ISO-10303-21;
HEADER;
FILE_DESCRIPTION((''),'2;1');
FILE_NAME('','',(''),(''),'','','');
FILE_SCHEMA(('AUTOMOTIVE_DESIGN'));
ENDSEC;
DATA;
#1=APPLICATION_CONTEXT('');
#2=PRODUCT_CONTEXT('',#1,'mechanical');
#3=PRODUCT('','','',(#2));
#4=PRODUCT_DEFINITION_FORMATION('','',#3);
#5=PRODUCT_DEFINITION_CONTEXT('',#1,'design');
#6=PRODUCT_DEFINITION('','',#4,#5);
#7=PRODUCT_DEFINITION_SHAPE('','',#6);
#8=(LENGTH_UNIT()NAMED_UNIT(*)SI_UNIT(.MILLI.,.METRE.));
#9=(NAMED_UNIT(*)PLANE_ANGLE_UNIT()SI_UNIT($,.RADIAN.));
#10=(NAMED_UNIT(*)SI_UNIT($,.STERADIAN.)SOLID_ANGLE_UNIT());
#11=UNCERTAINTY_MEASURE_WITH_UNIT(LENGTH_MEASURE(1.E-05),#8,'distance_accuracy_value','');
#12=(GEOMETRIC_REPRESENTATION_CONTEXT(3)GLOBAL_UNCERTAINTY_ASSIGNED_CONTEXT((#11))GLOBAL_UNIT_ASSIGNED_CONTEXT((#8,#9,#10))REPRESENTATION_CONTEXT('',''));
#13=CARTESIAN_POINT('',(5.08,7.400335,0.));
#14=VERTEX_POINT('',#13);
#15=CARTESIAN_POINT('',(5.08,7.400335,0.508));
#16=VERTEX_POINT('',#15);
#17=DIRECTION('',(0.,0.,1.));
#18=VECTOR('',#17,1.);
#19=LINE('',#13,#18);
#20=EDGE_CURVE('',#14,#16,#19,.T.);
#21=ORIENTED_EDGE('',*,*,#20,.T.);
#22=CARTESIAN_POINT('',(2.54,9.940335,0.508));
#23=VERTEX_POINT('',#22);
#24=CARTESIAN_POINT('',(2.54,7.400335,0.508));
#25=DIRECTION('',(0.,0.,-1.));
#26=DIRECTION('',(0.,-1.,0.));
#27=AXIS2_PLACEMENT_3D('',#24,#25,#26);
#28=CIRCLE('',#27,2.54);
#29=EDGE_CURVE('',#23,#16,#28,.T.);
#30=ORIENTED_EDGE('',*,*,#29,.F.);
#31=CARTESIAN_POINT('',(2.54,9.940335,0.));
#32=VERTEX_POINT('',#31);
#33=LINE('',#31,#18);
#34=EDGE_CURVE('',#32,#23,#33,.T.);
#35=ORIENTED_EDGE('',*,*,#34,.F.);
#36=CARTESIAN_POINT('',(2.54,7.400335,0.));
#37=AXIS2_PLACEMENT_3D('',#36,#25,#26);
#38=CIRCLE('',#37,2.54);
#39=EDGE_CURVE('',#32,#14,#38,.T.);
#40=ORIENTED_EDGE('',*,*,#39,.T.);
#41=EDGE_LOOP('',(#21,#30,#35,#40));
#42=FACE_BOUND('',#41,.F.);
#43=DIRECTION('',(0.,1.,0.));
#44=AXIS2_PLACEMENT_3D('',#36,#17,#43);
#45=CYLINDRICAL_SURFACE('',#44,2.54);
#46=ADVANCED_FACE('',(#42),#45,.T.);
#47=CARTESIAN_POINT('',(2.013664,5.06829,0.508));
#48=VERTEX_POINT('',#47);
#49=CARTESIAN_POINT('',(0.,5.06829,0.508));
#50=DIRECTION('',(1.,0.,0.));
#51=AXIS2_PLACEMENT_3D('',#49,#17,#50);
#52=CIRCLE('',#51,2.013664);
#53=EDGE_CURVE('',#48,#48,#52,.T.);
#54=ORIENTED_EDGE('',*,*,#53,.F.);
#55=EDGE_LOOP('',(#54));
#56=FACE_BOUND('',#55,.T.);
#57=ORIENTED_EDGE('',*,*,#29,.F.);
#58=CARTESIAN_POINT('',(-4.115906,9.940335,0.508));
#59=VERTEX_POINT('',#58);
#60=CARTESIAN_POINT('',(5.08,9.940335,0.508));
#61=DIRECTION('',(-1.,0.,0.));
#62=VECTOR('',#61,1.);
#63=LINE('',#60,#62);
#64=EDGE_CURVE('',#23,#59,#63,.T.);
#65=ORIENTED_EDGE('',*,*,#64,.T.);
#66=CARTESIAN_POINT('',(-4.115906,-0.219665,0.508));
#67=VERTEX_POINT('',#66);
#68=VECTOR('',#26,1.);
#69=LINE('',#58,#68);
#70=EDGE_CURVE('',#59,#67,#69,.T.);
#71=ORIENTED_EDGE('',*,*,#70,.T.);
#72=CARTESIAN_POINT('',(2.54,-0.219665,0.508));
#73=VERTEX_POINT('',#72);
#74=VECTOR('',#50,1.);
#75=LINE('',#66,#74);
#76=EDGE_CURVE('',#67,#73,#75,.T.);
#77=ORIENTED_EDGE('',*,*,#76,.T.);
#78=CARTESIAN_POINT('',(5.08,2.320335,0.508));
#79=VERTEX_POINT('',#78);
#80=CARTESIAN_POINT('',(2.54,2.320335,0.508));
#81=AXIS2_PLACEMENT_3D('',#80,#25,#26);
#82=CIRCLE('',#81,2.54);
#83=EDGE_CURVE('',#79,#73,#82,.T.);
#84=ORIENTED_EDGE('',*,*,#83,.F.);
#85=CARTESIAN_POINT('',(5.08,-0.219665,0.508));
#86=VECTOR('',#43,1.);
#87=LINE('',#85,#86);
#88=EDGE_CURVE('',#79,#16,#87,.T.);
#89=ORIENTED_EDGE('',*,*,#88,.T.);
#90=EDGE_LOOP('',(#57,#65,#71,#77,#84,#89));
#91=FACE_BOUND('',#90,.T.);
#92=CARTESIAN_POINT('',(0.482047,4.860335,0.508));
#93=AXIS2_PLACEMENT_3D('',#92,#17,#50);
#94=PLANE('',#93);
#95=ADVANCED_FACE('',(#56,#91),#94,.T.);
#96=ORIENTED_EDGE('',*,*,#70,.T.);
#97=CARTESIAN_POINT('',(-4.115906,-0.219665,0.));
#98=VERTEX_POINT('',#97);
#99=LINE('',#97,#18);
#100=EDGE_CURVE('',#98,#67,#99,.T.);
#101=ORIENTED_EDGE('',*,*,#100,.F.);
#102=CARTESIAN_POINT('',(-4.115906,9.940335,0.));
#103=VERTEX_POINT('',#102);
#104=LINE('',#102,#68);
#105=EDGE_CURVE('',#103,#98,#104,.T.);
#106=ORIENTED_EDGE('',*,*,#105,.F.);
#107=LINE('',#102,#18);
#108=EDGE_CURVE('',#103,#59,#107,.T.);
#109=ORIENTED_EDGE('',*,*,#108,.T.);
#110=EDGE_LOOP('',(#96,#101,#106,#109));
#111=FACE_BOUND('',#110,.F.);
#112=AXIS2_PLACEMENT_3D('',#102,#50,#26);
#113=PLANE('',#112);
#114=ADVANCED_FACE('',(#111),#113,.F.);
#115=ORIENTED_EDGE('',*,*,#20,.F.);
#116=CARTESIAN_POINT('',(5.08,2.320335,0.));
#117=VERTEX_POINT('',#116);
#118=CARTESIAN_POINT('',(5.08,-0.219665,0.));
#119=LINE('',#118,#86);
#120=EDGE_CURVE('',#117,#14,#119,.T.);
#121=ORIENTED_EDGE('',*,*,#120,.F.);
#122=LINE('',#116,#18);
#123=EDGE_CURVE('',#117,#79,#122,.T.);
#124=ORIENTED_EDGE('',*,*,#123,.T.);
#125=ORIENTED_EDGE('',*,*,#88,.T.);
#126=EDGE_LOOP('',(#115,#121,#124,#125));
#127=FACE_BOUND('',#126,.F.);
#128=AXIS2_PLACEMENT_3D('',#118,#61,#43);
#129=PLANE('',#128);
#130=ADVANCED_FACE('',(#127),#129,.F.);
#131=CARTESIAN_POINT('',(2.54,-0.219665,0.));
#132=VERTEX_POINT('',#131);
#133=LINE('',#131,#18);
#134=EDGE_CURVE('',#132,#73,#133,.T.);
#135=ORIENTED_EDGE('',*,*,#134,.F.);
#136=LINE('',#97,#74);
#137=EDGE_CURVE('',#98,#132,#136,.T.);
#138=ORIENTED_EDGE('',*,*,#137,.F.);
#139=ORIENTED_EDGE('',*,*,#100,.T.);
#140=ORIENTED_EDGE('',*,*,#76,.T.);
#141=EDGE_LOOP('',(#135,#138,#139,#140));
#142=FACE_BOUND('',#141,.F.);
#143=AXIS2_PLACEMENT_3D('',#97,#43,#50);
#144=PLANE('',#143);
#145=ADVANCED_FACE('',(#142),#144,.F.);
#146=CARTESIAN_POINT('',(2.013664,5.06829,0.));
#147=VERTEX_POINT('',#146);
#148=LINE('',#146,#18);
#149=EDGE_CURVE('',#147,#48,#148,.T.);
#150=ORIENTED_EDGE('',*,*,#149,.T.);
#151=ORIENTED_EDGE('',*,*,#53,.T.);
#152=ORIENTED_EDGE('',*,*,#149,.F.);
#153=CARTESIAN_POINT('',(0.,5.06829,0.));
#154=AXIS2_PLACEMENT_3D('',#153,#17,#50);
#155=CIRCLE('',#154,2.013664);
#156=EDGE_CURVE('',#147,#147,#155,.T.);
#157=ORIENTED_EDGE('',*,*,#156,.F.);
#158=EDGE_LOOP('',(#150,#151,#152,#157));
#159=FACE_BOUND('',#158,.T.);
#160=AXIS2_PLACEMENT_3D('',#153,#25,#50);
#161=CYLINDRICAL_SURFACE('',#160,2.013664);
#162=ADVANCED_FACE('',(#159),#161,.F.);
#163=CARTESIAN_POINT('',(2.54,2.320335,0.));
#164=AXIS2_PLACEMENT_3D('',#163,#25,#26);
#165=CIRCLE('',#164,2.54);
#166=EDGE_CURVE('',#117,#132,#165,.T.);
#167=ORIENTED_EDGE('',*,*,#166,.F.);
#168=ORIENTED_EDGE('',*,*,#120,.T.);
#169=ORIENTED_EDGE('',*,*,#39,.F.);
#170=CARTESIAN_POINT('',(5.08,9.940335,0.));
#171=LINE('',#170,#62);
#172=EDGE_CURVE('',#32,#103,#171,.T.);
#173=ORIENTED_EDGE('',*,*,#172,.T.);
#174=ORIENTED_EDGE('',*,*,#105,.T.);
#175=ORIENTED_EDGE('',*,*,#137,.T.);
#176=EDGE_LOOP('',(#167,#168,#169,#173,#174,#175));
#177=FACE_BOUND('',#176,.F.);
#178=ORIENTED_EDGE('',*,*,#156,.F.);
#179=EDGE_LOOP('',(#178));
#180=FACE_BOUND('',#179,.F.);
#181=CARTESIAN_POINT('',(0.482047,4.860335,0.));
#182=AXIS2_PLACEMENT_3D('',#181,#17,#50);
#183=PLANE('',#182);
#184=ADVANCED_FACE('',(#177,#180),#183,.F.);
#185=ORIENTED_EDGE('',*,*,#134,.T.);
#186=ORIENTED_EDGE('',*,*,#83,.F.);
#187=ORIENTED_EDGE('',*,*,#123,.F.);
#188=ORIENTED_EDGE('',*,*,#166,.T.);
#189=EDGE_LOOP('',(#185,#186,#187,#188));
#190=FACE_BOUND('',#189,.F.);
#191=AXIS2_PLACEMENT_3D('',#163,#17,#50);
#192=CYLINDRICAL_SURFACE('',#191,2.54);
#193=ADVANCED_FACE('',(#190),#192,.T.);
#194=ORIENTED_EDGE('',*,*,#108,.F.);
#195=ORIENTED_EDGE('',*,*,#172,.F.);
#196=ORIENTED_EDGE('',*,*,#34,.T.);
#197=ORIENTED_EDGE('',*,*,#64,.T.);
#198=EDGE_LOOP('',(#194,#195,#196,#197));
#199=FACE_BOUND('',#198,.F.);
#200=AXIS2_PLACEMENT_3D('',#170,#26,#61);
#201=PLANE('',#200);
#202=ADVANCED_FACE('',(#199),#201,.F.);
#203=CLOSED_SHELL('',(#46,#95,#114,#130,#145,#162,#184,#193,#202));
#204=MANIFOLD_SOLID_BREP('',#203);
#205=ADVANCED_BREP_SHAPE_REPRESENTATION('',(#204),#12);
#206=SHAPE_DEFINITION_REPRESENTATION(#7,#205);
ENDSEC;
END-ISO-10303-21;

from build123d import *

# Parameters (mm, degrees)
F0_R     = 2.013664
F1_DEPTH = 0.508
F2_R     = 2.54


with BuildPart() as f1:
    # F0 (on Top) → F1 (new body)
    with BuildSketch(Plane.XY):
        Polygon((5.08, 9.940335), (-3.64114, 9.940335), (-4.115906, 9.940335), (-4.115906, -0.219665), (5.08, -0.219665), align=None)
        with Locations((0, 5.06829)):
            Circle(F0_R, mode=Mode.SUBTRACT)
    extrude(amount=F1_DEPTH)

    # F2
    f2_edges = [f1.edges().sort_by_distance(p)[0] for p in [
        (5.08, 9.940335, 0.254),
        (5.08, -0.219665, 0.254),
    ]]
    fillet(f2_edges, radius=F2_R)


solid = f1.part
